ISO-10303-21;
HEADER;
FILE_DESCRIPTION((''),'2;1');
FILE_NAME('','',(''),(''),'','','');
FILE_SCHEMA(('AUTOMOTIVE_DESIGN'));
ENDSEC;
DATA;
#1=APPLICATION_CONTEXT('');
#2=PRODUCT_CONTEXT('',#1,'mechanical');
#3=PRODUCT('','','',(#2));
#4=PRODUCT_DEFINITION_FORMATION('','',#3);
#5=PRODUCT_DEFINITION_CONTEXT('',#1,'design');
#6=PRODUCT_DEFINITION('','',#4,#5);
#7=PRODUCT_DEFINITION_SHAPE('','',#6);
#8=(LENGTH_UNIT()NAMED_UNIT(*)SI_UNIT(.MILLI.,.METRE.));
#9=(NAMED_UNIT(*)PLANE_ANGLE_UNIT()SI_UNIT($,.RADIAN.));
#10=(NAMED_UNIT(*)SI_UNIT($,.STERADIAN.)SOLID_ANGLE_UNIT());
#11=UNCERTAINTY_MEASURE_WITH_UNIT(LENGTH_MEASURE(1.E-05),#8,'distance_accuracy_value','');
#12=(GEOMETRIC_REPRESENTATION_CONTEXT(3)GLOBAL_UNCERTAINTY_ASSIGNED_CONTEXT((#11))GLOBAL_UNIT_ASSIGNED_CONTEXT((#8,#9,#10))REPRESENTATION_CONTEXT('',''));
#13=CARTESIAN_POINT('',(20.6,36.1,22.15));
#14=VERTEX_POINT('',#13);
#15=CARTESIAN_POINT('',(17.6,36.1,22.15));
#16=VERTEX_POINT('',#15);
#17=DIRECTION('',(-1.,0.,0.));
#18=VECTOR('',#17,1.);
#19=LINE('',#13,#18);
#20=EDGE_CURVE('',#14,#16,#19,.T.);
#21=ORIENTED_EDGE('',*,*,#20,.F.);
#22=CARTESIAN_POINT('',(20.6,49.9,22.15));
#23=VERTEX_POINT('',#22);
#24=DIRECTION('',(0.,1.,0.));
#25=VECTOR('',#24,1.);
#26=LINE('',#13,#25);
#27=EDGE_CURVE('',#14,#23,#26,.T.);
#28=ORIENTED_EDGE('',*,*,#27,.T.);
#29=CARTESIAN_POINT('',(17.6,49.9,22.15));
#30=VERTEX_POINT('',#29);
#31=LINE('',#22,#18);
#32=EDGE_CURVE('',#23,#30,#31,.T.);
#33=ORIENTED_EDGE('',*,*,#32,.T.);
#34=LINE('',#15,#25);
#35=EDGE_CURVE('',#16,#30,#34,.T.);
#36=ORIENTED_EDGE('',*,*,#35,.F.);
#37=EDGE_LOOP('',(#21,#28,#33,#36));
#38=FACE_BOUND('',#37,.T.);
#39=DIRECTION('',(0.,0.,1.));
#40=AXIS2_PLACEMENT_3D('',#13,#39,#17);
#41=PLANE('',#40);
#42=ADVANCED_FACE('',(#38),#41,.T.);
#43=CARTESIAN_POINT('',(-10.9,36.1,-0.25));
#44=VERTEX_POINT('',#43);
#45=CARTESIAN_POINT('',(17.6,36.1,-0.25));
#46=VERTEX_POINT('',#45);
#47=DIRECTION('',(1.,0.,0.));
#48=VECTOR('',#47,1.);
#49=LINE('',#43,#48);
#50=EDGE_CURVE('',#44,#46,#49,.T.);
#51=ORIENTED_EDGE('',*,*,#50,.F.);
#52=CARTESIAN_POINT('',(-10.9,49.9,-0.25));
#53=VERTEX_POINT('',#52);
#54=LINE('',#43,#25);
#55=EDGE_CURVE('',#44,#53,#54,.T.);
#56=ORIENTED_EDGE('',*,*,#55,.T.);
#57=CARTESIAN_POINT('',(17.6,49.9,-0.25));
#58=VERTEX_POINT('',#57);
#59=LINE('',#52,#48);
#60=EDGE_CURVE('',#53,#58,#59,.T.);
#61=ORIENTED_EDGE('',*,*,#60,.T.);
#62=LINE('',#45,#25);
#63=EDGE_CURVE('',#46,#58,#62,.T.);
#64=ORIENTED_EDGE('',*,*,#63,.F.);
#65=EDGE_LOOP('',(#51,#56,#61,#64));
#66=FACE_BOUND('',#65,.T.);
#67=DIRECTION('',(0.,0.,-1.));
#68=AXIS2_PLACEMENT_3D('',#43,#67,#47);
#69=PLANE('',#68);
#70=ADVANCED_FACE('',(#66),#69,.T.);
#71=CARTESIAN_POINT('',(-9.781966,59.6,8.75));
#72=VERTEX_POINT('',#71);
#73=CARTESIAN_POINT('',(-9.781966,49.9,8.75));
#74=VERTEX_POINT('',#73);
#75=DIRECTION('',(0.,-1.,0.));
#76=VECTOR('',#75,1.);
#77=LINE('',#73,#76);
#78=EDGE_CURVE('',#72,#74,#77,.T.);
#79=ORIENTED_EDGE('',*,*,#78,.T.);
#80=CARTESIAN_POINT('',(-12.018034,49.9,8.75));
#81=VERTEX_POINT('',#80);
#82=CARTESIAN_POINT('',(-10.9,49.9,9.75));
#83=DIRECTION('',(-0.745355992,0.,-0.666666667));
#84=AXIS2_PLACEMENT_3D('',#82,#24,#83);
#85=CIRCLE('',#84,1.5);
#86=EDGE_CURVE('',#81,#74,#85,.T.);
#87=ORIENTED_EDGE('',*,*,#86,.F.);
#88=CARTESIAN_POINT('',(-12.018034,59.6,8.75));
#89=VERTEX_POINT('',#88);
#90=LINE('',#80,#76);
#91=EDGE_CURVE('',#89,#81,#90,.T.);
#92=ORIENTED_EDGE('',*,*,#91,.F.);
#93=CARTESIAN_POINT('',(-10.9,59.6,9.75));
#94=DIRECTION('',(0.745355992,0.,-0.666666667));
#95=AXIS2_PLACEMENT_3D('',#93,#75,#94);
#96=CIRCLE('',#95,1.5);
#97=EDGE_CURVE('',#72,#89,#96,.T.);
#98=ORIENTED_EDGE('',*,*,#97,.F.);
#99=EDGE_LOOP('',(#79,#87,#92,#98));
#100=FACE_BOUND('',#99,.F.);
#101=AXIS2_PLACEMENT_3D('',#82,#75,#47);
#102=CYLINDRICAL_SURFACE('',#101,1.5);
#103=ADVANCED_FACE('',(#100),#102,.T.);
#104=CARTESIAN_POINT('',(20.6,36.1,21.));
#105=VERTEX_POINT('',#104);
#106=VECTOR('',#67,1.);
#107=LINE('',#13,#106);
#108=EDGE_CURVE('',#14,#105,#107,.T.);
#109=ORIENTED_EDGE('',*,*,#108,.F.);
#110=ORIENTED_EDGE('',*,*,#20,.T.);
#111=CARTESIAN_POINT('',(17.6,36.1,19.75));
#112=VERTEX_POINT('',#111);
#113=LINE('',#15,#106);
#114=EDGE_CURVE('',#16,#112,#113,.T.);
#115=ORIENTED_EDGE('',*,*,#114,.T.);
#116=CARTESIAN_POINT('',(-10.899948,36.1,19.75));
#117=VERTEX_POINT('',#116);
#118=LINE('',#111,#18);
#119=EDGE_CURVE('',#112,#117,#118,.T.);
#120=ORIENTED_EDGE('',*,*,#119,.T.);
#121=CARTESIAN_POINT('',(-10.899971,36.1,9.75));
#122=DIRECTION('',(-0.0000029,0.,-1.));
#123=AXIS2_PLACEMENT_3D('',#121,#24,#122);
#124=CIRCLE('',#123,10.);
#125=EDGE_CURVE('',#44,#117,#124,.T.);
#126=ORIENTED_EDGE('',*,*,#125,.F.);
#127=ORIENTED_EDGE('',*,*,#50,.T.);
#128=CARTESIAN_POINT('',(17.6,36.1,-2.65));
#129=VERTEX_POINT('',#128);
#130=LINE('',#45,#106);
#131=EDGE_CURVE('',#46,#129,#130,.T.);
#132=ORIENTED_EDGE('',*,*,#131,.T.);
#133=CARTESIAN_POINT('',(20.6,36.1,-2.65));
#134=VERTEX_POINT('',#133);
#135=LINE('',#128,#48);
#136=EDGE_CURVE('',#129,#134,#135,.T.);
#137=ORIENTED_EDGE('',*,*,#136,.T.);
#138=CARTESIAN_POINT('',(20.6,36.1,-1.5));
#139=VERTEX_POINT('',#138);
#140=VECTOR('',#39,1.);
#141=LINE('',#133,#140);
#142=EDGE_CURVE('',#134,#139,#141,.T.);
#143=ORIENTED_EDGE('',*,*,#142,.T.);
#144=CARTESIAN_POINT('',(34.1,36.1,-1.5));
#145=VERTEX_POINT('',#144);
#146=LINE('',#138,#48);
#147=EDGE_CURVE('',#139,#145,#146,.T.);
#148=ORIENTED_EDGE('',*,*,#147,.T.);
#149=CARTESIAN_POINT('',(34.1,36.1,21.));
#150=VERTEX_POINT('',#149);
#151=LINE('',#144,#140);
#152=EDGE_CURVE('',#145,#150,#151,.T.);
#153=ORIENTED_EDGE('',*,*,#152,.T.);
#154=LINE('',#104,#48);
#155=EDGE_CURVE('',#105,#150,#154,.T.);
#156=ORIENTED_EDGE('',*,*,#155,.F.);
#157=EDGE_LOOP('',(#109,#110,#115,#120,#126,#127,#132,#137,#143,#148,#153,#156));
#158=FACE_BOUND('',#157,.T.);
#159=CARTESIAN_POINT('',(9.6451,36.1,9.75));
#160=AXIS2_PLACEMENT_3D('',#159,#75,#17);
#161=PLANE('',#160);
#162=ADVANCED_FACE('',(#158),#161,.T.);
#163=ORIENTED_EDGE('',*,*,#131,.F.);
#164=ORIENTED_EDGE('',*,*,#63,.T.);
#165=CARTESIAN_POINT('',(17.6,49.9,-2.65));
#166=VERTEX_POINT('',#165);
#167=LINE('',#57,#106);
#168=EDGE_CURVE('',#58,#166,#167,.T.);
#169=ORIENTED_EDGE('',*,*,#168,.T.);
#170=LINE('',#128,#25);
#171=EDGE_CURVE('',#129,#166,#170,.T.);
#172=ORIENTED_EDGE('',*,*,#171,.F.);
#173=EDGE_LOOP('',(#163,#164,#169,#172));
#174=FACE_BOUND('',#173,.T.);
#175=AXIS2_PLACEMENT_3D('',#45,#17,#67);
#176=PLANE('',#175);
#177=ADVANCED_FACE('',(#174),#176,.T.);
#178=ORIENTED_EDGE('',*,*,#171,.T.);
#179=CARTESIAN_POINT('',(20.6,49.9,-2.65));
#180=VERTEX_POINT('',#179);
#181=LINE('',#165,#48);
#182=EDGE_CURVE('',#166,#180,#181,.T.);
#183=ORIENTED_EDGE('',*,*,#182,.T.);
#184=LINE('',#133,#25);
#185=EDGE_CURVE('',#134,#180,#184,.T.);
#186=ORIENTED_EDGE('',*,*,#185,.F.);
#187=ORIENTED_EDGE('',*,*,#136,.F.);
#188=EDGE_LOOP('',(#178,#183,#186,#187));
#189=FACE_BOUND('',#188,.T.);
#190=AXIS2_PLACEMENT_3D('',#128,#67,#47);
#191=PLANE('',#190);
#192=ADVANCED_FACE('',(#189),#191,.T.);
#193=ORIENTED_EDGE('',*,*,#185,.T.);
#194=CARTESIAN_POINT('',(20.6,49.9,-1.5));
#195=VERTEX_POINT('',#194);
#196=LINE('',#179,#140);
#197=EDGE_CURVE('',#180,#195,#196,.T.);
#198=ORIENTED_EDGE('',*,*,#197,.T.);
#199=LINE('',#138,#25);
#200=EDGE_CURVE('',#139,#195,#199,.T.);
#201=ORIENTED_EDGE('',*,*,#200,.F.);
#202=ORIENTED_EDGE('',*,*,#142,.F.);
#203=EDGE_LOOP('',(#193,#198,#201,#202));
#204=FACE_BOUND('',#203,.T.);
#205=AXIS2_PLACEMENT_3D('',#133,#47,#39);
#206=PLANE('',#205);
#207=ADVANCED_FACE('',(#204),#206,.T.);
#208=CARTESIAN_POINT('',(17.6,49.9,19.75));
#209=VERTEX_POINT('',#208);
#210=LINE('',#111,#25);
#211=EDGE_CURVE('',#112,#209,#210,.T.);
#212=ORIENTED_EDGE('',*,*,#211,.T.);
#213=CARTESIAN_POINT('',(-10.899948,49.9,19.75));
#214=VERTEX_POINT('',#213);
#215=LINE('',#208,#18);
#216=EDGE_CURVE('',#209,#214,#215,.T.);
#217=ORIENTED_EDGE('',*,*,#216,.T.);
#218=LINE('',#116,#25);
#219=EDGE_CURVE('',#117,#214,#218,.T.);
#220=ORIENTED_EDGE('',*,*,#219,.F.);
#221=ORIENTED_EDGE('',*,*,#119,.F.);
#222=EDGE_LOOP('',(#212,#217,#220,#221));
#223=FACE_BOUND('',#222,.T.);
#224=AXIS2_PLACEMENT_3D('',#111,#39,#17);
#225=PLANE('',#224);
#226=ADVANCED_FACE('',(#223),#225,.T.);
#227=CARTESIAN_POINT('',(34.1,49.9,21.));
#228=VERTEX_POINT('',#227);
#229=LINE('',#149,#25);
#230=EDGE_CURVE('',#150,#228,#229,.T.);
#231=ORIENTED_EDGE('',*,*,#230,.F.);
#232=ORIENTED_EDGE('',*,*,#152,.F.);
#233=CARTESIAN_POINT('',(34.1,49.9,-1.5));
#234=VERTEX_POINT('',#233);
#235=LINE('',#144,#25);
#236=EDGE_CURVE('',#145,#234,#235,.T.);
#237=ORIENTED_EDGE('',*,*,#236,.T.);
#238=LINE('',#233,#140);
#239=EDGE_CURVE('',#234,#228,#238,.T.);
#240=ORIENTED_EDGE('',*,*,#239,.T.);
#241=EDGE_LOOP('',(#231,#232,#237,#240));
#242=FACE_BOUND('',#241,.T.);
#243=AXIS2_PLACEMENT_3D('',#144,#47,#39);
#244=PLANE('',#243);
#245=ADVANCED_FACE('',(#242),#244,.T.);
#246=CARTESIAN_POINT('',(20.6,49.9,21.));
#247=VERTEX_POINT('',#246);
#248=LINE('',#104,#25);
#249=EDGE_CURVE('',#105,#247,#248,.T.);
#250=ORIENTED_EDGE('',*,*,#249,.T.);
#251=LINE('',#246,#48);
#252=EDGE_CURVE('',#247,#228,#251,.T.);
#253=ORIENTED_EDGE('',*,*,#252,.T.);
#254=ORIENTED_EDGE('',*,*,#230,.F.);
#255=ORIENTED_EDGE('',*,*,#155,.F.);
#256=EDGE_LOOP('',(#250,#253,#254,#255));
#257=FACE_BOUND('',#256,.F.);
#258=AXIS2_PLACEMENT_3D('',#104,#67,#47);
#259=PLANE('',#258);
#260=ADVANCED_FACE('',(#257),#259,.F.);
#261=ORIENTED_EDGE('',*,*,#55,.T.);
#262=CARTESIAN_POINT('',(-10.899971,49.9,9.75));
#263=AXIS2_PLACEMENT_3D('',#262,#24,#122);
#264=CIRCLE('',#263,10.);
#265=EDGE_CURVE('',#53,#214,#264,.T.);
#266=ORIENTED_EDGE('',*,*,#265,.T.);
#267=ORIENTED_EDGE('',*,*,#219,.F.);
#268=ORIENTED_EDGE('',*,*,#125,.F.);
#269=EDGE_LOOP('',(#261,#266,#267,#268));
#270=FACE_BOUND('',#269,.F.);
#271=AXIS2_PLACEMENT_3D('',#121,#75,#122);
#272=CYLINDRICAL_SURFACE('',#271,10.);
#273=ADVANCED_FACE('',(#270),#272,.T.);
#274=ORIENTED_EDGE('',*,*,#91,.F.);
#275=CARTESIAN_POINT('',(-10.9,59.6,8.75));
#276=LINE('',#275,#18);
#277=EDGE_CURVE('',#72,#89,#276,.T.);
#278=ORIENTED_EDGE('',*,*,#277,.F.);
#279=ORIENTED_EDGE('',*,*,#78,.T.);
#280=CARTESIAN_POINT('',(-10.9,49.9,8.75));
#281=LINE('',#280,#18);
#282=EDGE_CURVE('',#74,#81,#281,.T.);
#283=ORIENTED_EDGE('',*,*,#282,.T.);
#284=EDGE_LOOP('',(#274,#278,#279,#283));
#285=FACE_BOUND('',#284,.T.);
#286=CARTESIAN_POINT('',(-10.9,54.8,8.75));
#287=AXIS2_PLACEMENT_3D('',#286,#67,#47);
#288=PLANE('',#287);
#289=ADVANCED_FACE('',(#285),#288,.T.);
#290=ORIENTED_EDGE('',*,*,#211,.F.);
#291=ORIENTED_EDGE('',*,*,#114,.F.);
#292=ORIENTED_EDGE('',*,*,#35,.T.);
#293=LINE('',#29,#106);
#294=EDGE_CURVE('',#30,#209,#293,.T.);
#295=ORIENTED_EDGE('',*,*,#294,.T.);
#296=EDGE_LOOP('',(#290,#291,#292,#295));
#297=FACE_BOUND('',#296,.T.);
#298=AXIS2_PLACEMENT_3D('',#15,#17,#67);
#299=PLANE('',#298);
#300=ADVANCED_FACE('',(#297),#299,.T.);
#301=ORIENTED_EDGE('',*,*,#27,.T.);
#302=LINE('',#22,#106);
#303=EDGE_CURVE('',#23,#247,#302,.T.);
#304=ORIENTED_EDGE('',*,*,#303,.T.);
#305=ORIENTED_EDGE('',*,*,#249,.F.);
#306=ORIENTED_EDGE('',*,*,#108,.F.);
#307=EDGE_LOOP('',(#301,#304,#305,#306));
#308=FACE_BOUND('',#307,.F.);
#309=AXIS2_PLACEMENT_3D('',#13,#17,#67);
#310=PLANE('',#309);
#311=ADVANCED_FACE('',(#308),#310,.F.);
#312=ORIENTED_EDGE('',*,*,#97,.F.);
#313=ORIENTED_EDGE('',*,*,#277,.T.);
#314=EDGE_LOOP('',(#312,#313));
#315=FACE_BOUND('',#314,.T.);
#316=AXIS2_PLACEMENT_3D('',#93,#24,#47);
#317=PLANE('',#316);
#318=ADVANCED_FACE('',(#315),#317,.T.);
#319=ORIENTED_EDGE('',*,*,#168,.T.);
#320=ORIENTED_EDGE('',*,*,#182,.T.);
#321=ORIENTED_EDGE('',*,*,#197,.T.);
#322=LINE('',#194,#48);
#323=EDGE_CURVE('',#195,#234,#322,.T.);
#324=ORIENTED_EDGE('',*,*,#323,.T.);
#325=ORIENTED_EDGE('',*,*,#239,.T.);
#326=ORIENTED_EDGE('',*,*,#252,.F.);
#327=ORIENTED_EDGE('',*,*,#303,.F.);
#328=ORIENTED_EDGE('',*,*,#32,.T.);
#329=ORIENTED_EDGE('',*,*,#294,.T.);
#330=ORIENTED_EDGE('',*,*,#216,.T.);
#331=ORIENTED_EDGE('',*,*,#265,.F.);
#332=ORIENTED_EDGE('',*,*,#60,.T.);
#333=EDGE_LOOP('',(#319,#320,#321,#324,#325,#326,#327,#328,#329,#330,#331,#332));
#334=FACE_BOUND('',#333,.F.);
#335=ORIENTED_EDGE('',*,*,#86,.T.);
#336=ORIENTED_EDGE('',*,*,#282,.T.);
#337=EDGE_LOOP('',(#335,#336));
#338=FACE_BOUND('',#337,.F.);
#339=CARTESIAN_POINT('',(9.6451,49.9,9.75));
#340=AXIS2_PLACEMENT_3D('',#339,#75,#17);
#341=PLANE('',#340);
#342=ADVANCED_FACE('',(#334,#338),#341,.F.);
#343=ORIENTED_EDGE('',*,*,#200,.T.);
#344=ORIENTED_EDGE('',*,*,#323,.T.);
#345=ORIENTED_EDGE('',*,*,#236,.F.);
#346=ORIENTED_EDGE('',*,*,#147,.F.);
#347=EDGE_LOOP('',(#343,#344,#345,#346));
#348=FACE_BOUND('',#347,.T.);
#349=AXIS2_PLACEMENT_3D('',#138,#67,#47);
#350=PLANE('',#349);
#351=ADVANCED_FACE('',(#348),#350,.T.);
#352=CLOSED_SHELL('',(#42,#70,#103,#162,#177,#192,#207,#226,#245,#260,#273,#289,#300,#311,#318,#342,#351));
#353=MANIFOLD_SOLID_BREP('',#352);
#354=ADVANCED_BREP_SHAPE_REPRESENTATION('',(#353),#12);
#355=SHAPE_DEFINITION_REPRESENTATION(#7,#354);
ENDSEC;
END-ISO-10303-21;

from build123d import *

# Parameters (mm, degrees)
PAD_DEPTH              = 13.8
BOX002_W               = 3
BOX002_H               = 10
BOX002_DEPTH           = 3
CYLINDER001_R          = 1.5
CYLINDER001_DEPTH      = 9.7
CYLINDER001_ROLL_ANGLE = 90
CLONE_PLACEMENT_ANGLE  = 180


with BuildPart() as motorbody:
    # Sketch → Pad (new body)
    with BuildSketch(Plane.XZ):
        with BuildLine():
            Line((-45, 21.25), (-16.5, 21.25))
            Line((-16.5, 21.25), (-16.5, 23.65))
            Line((-16.5, 23.65), (-13.5, 23.65))
            Line((-13.5, 23.65), (-13.5, 22.5))
            Line((-13.5, 22.5), (0, 22.5))
            Line((0, 22.5), (0, 0))
            Line((-13.5, 0), (0, 0))
            Line((-13.5, -1.15), (-13.5, 0))
            Line((-13.5, -1.15), (-16.5, -1.15))
            Line((-16.5, -1.15), (-16.5, 1.25))
            Line((-16.5, 1.25), (-44.999948, 1.25))
            ThreePointArc((-45, 21.25), (-54.999971, 11.249974), (-44.999948, 1.25))
        make_face()
    extrude(amount=PAD_DEPTH)


with BuildPart() as cube001:
    # Box002 → Box002 (new body)
    with BuildSketch(Plane(origin=(-46.5, -23.7, 12.25), x_dir=(1, 0, 0), z_dir=(0, 0, 1))):
        with Locations((1.5, 5)):
            Rectangle(BOX002_W, BOX002_H)
    extrude(amount=BOX002_DEPTH)


with BuildPart() as clone_of_motor:
    # Cylinder001 → Cylinder001 (new body)
    with BuildSketch(Plane.XY):
        Circle(CYLINDER001_R)
    extrude(amount=CYLINDER001_DEPTH)


with BuildPart() as clone_of_motor_1:
    # Cylinder001 roll: moved
    add(clone_of_motor.part.rotate(Axis((0, 0, 0), (1, 0, 0)), CYLINDER001_ROLL_ANGLE))


with BuildPart() as clone_of_motor_2:
    # Cylinder001 placement: moved
    add(clone_of_motor_1.part.moved(Location((-45, -13.8, 11.25))))

    # Cut: cut Cube001
    add(cube001.part, mode=Mode.SUBTRACT)

    # Fusion001: union motorBody
    add(motorbody.part)


with BuildPart() as clone_of_motor_3:
    # Fusion001 placement: moved
    add(clone_of_motor_2.part.moved(Location((34.1, -23.1, -1.5))))


with BuildPart() as clone_of_motor_4:
    # Clone placement: moved
    add(clone_of_motor_3.part.moved(Location((0, 13, 19.5))).rotate(Axis((0, 13, 19.5), (1, 0, 0)), CLONE_PLACEMENT_ANGLE))


solid = clone_of_motor_4.part
